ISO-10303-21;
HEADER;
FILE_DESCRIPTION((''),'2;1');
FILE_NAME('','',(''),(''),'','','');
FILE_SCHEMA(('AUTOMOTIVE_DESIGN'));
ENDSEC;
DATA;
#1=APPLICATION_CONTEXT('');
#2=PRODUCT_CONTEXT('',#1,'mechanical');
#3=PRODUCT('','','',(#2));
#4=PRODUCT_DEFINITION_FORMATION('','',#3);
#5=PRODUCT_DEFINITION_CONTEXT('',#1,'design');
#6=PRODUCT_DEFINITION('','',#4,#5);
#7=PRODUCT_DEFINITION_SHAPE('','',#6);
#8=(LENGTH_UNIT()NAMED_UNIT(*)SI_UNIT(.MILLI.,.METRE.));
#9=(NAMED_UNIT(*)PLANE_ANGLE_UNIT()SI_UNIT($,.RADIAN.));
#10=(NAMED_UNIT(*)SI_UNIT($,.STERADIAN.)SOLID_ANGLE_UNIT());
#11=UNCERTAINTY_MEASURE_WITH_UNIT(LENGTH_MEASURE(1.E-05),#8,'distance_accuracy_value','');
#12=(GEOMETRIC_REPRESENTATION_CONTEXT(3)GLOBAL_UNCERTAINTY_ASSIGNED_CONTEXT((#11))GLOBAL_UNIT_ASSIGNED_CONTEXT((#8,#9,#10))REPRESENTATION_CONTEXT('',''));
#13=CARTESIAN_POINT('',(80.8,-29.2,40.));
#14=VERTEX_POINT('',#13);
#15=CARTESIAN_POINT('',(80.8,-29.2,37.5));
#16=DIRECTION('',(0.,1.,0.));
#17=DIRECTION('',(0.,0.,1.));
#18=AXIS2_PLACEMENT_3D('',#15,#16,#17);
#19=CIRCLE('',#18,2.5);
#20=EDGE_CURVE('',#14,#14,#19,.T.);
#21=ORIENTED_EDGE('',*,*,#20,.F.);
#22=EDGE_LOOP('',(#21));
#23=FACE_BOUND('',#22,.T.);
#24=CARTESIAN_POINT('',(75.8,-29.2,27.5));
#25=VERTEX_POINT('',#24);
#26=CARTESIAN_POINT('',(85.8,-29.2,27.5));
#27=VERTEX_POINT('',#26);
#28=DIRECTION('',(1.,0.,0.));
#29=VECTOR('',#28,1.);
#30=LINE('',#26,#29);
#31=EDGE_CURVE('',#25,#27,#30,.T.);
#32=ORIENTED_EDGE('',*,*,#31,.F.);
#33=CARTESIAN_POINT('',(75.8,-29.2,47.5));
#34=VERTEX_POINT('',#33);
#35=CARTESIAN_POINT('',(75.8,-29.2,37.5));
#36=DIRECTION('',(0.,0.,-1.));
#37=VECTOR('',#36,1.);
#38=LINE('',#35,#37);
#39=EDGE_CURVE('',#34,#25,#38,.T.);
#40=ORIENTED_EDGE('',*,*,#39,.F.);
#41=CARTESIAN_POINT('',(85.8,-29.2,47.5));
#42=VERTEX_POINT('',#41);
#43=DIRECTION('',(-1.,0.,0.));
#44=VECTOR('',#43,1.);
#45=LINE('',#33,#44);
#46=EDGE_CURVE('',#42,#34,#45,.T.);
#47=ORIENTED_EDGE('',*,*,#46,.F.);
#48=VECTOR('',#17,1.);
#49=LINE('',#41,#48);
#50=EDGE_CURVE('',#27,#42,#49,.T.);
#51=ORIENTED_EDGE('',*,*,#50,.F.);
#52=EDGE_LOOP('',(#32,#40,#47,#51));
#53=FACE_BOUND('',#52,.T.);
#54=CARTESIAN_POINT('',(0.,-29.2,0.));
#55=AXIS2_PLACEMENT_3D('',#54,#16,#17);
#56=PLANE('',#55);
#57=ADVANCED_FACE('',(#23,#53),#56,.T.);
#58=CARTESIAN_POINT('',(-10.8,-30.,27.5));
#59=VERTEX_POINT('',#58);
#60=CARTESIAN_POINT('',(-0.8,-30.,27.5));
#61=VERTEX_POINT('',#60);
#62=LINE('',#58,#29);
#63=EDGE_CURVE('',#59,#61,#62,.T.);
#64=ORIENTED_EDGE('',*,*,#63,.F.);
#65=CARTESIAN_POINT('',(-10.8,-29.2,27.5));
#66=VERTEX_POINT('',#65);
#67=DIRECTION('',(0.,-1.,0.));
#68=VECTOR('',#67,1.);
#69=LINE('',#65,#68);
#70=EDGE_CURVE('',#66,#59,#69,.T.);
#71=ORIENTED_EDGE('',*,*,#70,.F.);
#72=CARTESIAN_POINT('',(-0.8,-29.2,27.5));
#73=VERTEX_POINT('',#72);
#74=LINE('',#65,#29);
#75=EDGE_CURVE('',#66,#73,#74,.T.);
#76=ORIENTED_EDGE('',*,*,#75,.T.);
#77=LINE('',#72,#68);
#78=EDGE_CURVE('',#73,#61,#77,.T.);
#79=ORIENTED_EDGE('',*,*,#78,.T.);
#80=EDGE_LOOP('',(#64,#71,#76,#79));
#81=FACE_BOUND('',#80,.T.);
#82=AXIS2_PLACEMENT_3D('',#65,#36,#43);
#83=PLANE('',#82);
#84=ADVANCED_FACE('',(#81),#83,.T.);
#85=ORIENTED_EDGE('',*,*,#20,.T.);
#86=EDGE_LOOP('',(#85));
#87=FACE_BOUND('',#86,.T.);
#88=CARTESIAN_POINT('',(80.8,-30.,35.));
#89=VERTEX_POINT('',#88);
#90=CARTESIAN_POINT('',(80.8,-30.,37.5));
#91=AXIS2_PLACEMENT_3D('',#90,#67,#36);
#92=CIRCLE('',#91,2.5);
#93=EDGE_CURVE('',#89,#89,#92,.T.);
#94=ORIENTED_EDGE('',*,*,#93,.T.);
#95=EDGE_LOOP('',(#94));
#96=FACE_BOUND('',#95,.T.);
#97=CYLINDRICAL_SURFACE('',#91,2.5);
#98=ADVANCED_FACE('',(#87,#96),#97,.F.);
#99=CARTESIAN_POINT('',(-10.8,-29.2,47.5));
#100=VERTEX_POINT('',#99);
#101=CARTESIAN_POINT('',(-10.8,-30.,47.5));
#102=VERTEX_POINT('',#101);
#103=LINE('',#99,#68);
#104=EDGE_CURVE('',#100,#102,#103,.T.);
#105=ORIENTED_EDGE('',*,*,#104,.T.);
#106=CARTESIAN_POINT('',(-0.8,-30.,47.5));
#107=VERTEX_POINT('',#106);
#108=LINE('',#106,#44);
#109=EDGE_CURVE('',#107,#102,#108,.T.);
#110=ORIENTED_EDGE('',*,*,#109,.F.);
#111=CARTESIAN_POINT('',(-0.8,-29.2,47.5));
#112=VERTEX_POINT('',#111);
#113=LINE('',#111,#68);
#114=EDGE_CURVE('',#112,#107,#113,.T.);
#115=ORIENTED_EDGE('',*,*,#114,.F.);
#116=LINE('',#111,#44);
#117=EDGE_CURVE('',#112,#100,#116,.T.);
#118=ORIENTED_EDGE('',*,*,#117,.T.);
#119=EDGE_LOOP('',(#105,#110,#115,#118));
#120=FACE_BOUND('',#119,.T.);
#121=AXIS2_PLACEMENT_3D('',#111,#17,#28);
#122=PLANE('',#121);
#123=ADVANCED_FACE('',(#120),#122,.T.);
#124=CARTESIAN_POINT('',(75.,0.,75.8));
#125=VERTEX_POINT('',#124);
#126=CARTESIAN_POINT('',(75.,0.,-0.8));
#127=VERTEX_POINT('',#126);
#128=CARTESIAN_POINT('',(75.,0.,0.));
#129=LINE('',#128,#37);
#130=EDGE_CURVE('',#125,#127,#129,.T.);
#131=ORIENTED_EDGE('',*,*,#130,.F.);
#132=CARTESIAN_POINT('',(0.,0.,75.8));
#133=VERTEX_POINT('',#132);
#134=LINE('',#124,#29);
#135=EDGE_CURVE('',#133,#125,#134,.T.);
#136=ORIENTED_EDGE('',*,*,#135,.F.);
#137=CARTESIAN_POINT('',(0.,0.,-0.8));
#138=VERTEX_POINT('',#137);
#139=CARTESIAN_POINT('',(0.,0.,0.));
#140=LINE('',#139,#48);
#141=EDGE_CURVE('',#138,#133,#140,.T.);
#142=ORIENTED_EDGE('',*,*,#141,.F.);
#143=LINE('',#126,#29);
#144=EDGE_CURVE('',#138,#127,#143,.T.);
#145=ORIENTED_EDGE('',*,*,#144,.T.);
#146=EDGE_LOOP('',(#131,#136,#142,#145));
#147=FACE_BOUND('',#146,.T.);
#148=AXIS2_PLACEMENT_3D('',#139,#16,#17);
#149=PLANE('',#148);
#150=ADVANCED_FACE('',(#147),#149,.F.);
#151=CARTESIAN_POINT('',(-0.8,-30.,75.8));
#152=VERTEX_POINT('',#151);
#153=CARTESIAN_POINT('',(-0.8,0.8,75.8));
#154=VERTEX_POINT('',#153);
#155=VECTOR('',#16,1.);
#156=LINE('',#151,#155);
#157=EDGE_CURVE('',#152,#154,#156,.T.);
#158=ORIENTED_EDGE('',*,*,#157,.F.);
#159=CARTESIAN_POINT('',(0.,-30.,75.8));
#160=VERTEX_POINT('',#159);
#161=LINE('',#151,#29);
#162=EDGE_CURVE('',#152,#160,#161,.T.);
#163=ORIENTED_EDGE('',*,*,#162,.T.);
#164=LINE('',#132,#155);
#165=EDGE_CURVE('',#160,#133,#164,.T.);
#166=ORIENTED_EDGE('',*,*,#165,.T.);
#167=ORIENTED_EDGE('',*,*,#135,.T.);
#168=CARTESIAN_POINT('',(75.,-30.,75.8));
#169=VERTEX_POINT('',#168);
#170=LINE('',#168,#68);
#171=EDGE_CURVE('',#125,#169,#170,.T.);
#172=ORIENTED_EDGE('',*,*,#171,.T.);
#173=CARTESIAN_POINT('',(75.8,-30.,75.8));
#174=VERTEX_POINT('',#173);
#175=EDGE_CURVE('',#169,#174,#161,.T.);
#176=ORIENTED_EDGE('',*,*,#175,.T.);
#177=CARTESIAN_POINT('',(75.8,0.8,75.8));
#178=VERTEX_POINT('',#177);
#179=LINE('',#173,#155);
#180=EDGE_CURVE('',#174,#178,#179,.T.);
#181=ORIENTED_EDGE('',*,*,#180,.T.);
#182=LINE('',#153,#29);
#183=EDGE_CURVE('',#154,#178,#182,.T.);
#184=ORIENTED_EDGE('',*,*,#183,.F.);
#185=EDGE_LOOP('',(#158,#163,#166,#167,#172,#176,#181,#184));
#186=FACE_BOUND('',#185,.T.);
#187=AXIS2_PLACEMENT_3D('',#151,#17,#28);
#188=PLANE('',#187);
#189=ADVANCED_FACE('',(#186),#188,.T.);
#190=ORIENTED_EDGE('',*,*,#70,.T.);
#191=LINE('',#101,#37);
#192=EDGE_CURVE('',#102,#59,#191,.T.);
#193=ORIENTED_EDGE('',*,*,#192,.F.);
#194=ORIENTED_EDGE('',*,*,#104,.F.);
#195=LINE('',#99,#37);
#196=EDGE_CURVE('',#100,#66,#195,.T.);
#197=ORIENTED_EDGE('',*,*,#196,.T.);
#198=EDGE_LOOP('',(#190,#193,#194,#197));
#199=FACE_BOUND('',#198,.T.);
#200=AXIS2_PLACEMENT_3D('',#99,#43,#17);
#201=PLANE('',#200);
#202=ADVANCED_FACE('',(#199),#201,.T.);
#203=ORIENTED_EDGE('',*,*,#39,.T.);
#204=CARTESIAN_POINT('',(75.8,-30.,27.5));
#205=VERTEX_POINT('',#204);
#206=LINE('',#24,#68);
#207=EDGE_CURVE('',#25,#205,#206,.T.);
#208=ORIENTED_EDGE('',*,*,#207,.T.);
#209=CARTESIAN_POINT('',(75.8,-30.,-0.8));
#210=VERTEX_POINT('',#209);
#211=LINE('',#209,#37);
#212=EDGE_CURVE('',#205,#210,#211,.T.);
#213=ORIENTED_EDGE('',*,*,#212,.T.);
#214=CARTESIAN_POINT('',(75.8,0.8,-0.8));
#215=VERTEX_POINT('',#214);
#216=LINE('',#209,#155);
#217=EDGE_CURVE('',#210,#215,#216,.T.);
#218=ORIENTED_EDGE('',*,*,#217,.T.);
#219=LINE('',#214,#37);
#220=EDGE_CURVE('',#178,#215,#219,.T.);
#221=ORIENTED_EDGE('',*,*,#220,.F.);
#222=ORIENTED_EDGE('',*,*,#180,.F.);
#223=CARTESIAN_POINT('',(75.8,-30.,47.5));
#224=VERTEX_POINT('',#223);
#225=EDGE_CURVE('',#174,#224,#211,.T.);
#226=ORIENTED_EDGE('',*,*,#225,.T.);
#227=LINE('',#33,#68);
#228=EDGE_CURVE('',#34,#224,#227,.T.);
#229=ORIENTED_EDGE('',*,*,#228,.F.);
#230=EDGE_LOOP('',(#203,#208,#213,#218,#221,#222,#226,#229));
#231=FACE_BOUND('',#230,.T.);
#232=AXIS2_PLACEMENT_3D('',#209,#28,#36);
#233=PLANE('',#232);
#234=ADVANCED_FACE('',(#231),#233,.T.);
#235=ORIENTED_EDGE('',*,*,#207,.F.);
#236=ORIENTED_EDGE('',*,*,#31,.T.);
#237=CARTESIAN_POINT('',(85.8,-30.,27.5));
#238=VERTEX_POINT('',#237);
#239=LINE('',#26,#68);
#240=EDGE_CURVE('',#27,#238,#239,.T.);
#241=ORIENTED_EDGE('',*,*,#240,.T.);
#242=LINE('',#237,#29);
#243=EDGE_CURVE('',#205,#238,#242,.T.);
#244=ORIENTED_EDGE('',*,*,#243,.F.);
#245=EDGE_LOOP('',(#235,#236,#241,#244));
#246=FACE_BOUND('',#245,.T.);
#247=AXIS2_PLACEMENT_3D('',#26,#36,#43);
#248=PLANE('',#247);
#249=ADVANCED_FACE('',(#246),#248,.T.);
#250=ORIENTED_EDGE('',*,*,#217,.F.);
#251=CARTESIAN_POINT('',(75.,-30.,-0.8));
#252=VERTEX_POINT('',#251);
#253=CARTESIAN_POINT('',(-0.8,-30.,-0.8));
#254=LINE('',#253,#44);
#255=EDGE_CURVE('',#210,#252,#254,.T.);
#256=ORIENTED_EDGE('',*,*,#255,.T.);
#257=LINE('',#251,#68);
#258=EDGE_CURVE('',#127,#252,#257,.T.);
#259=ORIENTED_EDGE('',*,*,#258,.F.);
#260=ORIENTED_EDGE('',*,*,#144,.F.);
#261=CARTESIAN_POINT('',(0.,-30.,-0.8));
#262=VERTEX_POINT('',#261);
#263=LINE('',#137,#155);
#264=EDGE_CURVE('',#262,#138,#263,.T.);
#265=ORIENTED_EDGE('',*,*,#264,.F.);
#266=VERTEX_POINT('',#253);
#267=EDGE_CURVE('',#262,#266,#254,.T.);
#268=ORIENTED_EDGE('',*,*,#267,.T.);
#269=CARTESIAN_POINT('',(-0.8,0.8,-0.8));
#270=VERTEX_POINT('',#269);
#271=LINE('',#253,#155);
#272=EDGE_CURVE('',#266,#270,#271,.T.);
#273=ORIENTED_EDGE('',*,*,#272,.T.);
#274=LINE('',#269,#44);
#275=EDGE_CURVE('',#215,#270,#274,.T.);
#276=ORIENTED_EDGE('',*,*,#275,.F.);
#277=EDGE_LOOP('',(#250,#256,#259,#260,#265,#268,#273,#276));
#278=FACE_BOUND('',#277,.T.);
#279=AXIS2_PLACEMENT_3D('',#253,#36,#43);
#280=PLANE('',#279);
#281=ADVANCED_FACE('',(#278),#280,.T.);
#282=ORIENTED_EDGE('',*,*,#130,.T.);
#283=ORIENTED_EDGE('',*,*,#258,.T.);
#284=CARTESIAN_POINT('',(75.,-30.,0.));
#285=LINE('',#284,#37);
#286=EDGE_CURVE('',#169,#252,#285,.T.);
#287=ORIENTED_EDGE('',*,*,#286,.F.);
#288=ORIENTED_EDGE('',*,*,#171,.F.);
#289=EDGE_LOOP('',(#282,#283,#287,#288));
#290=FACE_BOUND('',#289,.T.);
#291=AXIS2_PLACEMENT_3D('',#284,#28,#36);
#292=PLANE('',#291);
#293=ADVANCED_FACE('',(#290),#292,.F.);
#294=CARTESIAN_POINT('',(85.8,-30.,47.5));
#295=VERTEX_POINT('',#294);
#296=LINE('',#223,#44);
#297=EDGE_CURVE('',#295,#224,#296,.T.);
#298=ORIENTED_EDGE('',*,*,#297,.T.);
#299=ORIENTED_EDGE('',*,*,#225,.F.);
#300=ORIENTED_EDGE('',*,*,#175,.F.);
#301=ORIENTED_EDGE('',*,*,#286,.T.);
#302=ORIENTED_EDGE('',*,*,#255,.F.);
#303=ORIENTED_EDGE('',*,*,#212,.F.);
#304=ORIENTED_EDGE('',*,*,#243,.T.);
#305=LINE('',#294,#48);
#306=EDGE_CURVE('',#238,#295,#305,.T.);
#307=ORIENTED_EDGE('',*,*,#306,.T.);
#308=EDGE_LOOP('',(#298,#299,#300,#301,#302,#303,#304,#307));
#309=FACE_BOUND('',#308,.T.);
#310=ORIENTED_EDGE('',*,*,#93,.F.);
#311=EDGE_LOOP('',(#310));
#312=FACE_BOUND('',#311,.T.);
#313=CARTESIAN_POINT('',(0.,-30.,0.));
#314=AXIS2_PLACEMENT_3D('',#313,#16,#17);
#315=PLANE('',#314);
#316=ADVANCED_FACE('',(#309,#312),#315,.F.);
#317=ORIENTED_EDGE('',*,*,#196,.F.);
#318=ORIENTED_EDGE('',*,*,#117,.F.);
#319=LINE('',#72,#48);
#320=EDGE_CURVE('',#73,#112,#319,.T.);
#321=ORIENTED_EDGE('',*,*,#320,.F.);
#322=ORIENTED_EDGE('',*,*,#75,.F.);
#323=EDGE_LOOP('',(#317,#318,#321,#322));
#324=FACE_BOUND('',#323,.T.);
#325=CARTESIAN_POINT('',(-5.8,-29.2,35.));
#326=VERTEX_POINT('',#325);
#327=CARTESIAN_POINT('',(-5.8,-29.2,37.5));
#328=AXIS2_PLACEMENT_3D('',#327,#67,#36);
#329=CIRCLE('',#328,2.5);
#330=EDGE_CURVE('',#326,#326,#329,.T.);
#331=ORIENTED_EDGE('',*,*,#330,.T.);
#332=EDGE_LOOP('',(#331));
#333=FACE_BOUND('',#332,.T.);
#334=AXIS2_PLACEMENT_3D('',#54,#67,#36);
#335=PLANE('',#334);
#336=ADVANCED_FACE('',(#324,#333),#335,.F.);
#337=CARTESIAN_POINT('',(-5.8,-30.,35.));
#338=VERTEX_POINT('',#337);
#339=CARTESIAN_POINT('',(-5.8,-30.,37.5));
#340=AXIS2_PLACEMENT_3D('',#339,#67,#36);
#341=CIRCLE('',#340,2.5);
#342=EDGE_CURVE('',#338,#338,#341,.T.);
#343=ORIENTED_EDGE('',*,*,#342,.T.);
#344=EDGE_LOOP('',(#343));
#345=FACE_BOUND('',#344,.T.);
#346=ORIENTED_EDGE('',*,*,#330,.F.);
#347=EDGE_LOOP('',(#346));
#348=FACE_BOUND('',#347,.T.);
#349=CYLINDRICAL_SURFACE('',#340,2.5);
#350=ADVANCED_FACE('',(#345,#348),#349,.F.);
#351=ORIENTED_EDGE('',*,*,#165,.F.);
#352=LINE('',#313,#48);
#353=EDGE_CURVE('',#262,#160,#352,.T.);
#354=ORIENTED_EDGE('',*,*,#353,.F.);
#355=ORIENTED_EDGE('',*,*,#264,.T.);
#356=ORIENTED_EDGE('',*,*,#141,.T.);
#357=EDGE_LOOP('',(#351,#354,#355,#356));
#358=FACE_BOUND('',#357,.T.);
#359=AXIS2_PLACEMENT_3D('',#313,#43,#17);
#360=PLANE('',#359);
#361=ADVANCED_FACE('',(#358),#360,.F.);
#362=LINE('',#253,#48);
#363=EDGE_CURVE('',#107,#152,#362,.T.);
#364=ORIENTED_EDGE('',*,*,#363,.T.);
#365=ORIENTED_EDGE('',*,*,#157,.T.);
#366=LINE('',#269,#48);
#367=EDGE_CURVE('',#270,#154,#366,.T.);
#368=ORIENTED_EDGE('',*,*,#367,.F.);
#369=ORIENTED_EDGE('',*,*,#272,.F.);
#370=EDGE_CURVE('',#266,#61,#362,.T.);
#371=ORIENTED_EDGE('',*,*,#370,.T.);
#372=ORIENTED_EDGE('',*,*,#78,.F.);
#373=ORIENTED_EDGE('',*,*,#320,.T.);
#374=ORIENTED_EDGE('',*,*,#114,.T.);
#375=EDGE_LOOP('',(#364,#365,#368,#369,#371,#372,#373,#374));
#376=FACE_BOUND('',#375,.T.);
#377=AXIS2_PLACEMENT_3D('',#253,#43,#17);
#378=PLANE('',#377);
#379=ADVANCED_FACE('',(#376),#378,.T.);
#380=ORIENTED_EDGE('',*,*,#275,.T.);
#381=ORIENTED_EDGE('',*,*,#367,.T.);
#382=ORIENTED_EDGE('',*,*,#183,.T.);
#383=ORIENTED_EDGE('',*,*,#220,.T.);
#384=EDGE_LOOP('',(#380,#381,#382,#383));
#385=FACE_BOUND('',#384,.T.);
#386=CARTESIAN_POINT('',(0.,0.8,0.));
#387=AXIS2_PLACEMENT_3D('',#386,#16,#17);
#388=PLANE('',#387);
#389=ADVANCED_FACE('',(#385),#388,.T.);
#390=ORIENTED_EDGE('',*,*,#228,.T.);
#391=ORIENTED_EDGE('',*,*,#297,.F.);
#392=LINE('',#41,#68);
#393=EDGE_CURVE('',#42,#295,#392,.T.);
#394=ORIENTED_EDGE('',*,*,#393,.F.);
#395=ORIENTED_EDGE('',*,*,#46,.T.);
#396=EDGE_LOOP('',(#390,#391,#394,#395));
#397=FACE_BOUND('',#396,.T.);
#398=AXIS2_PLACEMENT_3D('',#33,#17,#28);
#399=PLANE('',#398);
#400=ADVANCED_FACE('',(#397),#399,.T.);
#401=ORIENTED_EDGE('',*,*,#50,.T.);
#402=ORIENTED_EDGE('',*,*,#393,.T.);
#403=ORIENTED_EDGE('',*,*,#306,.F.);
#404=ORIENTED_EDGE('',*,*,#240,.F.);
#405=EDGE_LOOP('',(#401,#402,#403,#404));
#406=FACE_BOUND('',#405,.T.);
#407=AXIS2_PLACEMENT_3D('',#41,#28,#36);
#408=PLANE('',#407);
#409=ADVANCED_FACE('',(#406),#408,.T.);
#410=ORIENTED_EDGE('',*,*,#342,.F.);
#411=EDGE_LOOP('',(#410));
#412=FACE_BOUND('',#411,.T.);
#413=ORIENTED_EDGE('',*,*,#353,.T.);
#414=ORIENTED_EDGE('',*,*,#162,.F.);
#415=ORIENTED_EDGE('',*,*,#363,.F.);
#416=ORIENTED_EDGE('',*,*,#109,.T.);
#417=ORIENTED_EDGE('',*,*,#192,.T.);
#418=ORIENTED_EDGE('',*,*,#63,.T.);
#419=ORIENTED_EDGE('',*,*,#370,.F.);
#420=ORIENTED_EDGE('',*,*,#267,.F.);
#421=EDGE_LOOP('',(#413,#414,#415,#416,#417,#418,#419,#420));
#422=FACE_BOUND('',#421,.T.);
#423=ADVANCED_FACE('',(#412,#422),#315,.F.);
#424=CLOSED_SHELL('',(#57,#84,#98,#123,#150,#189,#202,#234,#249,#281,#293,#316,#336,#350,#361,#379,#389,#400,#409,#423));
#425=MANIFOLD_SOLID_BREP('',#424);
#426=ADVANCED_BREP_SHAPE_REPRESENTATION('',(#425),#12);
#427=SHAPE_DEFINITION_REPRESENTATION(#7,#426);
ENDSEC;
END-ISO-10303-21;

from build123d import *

# Parameters (mm, degrees)
SKETCH_1_W          = 75
SKETCH_1_H          = 75
EXTRUDE_1_DEPTH     = 0.8
SKETCH_2_W          = 76.6
SKETCH_2_H          = 76.6
SKETCH_2_W_2        = 75
SKETCH_2_H_2        = 75
EXTRUDE_2_DEPTH     = 30.8
EXTRUDE_3_DEPTH     = 0.8
F_5_0MM_1_D         = 5
SKETCH_8_W          = 75
SKETCH_8_H          = 30
CUT_EXTRUDE_1_DEPTH = 119.86631146


with BuildPart() as part:
    # 草图1 → 凸台-拉伸1 (new body)
    with BuildSketch(Plane(origin=(0, 0, 0), x_dir=(1, 0, 0), z_dir=(0, 1, 0))):
        with Locations((37.5, -37.5)):
            Rectangle(SKETCH_1_W, SKETCH_1_H)
    extrude(amount=EXTRUDE_1_DEPTH)

    # 草图2 → 凸台-拉伸2 (add)
    with BuildSketch(Plane(origin=(0, 0.8, 0), x_dir=(1, 0, 0), z_dir=(0, 1, 0))):
        with Locations((37.5, -37.5)):
            Rectangle(SKETCH_2_W, SKETCH_2_H)
        with Locations((37.5, -37.5)):
            Rectangle(SKETCH_2_W_2, SKETCH_2_H_2, mode=Mode.SUBTRACT)
    extrude(amount=-EXTRUDE_2_DEPTH)

    # 草图3 → 凸台-拉伸3 (add)
    with BuildSketch(Plane.XZ.offset(30)):
        Polygon((-0.8, 37.5), (-0.8, 47.5), (-10.8, 47.5), (-10.8, 27.5), (-0.8, 27.5), align=None)
        Polygon((75.8, 27.5), (75.8, 37.5), (75.8, 47.5), (85.8, 47.5), (85.8, 27.5), align=None)
    extrude(amount=-EXTRUDE_3_DEPTH)

    # Ø5.0mm 暗销孔1 (through all)
    with Locations(Plane(origin=(0, -30, 0), x_dir=(-1, 0, 0), z_dir=(0, -1, 0))):
        with Locations((5.8, -37.5), (-80.8, -37.5)):
            Hole(F_5_0MM_1_D / 2)

    # 草图8 → 切除-拉伸1 (cut, through all)
    with BuildSketch(Plane(origin=(0, 0, -0.8), x_dir=(-1, 0, 0), z_dir=(0, 0, -1))):
        with Locations((-37.5, -15)):
            Rectangle(SKETCH_8_W, SKETCH_8_H)
    extrude(amount=-CUT_EXTRUDE_1_DEPTH, mode=Mode.SUBTRACT)


solid = part.part
